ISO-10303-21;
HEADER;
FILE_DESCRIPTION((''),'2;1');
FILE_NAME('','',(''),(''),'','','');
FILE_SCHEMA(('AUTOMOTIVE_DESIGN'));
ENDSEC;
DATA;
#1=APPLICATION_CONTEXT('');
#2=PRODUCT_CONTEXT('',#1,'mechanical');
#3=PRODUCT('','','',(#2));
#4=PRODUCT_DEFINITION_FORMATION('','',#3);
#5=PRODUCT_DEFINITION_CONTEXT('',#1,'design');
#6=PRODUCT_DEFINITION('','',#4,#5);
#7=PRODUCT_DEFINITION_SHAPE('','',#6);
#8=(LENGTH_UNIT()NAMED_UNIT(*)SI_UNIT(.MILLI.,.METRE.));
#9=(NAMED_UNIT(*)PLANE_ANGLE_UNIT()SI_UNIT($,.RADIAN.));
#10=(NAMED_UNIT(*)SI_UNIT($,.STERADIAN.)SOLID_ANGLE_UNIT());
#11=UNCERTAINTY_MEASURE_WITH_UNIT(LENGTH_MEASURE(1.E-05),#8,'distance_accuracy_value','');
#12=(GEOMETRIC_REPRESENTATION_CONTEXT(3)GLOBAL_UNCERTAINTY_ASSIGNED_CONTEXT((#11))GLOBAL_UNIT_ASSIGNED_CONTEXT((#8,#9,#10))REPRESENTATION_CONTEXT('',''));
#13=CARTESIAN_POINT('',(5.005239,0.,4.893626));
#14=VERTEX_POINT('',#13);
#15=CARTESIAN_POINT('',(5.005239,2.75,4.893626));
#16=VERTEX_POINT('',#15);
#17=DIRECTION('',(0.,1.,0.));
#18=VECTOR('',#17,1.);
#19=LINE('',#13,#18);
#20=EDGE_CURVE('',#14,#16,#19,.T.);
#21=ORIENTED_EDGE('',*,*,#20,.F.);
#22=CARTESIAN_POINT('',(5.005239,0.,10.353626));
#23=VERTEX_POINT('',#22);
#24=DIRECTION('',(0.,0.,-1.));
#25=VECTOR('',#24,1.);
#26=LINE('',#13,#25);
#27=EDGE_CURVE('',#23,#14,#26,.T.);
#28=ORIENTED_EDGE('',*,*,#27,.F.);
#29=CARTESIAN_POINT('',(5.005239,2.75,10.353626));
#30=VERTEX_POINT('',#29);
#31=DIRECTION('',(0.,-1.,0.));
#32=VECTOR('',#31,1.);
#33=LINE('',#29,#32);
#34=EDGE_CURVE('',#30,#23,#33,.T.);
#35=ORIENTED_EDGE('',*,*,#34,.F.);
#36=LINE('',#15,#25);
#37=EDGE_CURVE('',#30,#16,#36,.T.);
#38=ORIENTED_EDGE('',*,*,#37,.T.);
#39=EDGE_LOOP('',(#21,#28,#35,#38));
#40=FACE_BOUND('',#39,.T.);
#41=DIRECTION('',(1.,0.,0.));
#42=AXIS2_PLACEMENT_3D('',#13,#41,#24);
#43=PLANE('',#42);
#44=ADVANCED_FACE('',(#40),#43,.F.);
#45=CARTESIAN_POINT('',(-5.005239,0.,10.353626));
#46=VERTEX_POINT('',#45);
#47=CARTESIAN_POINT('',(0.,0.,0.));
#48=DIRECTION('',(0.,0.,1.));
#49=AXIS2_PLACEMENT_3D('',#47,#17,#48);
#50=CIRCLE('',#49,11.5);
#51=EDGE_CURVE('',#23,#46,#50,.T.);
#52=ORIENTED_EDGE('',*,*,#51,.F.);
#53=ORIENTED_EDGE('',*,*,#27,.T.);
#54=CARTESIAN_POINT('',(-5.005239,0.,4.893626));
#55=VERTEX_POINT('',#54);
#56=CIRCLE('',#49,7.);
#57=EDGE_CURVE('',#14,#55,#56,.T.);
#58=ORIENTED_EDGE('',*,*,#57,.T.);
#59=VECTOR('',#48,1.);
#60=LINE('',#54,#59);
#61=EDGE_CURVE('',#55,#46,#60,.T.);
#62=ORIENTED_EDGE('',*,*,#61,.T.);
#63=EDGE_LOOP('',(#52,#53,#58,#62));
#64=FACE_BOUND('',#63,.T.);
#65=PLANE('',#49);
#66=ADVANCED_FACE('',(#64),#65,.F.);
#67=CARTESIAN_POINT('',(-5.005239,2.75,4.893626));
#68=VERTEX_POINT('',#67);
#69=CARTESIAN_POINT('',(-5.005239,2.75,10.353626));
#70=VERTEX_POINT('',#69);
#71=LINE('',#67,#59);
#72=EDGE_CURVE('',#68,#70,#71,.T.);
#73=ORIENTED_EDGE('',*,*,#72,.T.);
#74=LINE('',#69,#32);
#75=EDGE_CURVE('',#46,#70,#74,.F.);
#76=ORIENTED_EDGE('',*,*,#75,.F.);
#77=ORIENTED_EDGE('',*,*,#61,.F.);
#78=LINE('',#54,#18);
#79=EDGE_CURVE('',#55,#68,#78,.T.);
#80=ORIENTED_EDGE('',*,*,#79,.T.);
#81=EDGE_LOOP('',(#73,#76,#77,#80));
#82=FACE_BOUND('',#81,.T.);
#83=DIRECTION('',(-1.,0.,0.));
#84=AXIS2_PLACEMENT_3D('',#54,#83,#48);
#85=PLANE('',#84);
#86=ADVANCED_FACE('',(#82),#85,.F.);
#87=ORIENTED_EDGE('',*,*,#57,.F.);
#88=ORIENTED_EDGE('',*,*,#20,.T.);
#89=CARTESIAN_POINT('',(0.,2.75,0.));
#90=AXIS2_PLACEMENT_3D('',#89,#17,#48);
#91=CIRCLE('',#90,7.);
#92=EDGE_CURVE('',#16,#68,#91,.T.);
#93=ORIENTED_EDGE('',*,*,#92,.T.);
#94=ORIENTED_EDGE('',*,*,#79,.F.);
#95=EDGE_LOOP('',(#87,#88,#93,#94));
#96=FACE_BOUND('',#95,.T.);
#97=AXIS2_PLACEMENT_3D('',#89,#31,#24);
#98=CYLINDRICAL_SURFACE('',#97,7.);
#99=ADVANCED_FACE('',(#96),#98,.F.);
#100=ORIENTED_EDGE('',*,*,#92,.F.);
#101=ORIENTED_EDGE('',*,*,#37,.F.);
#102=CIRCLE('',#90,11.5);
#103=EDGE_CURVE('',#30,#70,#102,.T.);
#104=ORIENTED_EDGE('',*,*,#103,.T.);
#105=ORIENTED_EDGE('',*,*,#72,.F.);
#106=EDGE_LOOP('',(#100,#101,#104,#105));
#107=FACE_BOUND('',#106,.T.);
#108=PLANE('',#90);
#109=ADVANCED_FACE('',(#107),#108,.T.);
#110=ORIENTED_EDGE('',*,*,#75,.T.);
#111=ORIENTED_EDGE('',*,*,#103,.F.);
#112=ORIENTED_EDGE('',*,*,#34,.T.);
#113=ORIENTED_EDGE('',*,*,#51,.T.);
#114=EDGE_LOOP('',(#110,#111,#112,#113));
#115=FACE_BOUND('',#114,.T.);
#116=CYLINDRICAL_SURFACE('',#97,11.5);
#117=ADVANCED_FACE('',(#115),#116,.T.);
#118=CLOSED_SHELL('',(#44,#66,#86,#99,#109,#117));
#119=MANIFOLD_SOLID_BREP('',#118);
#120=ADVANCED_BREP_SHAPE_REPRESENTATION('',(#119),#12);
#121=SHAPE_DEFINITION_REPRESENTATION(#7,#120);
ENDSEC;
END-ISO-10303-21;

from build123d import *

# Parameters (mm, degrees)
CROQUIS1_R              = 11.5
CROQUIS1_R_2            = 7
SALIENTE_EXTRUIR1_DEPTH = 2.75
CROQUIS2_W              = 10.010478692
CROQUIS2_H              = 6.606373626
CORTAR_EXTRUIR1_DEPTH   = 17.494317203


with BuildPart() as part:
    # Croquis1 → Saliente-Extruir1 (new body)
    with BuildSketch(Plane(origin=(0, 0, 0), x_dir=(1, 0, 0), z_dir=(0, 1, 0))):
        with Locations(Location((0, 0, 0), (0, 0, 270))):
            Circle(CROQUIS1_R)
        with Locations(Location((0, 0, 0), (0, 0, 270))):
            Circle(CROQUIS1_R_2, mode=Mode.SUBTRACT)
    extrude(amount=SALIENTE_EXTRUIR1_DEPTH)

    # Croquis2 → Cortar-Extruir1 (cut, through all)
    with BuildSketch(Plane(origin=(0, 2.75, 0), x_dir=(1, 0, 0), z_dir=(0, 1, 0))):
        with Locations((0, -8.196813187)):
            Rectangle(CROQUIS2_W, CROQUIS2_H)
    extrude(amount=-CORTAR_EXTRUIR1_DEPTH, mode=Mode.SUBTRACT)


solid = part.part
